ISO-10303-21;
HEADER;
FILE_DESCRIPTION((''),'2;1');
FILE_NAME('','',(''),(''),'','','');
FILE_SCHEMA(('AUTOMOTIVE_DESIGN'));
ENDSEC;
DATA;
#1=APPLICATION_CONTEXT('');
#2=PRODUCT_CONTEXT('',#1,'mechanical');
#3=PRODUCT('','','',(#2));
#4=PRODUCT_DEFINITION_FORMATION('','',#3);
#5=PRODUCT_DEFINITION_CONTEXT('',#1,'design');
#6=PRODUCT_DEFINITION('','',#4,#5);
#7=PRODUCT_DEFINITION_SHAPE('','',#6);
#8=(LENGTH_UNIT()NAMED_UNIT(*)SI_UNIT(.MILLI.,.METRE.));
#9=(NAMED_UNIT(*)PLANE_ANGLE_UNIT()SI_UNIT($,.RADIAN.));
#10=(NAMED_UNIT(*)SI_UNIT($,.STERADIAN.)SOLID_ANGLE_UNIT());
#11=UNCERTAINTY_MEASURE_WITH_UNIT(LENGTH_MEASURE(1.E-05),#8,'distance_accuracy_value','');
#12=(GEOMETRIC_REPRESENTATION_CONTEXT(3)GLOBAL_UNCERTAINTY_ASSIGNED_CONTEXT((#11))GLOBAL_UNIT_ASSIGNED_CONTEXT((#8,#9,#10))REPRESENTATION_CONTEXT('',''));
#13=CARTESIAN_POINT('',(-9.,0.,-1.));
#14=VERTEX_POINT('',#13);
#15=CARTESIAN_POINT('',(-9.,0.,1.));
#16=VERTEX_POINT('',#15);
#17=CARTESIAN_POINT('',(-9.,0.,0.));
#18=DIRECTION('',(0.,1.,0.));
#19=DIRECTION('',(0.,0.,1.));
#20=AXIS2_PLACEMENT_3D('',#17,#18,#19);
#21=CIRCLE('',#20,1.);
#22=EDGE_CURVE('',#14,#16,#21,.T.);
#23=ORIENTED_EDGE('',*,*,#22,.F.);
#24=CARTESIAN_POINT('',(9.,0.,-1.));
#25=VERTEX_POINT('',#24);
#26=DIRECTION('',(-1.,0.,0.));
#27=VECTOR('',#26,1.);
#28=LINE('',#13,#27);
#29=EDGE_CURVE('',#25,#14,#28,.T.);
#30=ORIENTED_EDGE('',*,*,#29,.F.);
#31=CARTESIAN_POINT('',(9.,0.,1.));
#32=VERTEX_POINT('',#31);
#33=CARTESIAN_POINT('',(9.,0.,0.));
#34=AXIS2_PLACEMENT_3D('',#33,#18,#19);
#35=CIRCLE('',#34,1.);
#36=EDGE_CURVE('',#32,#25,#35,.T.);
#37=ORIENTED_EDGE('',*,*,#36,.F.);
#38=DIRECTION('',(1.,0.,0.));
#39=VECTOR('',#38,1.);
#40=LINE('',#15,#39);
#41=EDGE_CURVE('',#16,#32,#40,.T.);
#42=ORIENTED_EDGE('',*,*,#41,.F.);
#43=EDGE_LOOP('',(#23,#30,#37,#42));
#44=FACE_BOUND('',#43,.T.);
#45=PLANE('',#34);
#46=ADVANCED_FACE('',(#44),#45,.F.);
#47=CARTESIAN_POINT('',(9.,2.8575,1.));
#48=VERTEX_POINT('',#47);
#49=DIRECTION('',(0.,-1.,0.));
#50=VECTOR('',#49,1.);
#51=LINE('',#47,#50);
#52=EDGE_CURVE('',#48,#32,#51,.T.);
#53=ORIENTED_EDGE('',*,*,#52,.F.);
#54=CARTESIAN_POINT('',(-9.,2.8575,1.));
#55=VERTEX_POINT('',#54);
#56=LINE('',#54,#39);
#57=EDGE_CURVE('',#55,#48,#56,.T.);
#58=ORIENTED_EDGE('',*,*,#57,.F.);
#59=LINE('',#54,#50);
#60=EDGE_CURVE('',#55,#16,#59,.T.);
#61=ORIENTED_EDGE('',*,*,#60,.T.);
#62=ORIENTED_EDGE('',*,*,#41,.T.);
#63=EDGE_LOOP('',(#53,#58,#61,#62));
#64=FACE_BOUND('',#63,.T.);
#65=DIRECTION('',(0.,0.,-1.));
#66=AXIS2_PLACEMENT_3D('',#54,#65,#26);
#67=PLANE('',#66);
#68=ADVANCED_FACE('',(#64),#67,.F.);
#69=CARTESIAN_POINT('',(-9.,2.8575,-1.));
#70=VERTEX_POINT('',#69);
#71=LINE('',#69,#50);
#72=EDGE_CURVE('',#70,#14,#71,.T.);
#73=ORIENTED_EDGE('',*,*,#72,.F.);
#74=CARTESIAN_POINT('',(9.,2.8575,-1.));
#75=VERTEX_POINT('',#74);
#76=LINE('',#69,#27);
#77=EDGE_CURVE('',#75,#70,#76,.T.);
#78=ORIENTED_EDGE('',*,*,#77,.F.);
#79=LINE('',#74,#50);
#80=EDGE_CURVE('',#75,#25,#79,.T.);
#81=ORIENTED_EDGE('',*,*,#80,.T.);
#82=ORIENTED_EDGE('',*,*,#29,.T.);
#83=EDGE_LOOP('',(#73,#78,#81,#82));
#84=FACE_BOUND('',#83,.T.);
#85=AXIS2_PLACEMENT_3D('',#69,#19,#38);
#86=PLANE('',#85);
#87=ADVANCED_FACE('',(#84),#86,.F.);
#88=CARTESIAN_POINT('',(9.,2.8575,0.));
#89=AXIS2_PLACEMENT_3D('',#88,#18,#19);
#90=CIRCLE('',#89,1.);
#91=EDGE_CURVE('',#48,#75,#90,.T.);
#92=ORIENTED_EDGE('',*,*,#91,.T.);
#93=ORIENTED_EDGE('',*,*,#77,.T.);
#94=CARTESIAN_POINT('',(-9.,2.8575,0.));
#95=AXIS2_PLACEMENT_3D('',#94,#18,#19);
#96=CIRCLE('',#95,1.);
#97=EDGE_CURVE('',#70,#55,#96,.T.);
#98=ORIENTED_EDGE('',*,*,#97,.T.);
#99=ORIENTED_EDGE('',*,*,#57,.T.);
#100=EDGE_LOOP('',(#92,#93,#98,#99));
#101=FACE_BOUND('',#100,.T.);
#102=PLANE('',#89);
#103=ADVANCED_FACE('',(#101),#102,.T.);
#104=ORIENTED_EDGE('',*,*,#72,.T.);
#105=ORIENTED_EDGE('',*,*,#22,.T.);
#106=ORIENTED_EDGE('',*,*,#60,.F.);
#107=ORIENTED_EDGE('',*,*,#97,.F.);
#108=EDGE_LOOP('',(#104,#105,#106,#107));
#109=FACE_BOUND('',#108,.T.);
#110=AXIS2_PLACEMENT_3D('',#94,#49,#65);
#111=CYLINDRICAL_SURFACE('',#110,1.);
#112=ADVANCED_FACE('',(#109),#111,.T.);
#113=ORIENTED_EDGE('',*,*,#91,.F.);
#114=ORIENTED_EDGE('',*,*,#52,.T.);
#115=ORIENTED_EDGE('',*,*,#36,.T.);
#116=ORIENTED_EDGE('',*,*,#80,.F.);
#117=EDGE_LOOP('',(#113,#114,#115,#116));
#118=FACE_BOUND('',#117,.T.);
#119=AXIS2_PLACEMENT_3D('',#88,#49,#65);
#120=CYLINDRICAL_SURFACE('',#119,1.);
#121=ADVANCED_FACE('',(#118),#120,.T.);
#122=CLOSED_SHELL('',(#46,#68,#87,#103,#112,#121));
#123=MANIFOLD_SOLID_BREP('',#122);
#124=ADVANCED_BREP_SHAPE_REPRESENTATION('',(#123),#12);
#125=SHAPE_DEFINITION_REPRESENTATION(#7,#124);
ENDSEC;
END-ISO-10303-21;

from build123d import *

# Parameters (mm, degrees)
BOSS_EXTRUDE1_DEPTH = 2.8575


with BuildPart() as part:
    # Sketch1 → Boss-Extrude1 (new body)
    with BuildSketch(Plane(origin=(0, 0, 0), x_dir=(1, 0, 0), z_dir=(0, 1, 0))):
        with BuildLine():
            Line((-9, 1), (9, 1))
            ThreePointArc((9, 1), (10, 0), (9, -1))
            Line((9, -1), (-9, -1))
            ThreePointArc((-9, -1), (-10, 0), (-9, 1))
        make_face()
    extrude(amount=BOSS_EXTRUDE1_DEPTH)


solid = part.part
